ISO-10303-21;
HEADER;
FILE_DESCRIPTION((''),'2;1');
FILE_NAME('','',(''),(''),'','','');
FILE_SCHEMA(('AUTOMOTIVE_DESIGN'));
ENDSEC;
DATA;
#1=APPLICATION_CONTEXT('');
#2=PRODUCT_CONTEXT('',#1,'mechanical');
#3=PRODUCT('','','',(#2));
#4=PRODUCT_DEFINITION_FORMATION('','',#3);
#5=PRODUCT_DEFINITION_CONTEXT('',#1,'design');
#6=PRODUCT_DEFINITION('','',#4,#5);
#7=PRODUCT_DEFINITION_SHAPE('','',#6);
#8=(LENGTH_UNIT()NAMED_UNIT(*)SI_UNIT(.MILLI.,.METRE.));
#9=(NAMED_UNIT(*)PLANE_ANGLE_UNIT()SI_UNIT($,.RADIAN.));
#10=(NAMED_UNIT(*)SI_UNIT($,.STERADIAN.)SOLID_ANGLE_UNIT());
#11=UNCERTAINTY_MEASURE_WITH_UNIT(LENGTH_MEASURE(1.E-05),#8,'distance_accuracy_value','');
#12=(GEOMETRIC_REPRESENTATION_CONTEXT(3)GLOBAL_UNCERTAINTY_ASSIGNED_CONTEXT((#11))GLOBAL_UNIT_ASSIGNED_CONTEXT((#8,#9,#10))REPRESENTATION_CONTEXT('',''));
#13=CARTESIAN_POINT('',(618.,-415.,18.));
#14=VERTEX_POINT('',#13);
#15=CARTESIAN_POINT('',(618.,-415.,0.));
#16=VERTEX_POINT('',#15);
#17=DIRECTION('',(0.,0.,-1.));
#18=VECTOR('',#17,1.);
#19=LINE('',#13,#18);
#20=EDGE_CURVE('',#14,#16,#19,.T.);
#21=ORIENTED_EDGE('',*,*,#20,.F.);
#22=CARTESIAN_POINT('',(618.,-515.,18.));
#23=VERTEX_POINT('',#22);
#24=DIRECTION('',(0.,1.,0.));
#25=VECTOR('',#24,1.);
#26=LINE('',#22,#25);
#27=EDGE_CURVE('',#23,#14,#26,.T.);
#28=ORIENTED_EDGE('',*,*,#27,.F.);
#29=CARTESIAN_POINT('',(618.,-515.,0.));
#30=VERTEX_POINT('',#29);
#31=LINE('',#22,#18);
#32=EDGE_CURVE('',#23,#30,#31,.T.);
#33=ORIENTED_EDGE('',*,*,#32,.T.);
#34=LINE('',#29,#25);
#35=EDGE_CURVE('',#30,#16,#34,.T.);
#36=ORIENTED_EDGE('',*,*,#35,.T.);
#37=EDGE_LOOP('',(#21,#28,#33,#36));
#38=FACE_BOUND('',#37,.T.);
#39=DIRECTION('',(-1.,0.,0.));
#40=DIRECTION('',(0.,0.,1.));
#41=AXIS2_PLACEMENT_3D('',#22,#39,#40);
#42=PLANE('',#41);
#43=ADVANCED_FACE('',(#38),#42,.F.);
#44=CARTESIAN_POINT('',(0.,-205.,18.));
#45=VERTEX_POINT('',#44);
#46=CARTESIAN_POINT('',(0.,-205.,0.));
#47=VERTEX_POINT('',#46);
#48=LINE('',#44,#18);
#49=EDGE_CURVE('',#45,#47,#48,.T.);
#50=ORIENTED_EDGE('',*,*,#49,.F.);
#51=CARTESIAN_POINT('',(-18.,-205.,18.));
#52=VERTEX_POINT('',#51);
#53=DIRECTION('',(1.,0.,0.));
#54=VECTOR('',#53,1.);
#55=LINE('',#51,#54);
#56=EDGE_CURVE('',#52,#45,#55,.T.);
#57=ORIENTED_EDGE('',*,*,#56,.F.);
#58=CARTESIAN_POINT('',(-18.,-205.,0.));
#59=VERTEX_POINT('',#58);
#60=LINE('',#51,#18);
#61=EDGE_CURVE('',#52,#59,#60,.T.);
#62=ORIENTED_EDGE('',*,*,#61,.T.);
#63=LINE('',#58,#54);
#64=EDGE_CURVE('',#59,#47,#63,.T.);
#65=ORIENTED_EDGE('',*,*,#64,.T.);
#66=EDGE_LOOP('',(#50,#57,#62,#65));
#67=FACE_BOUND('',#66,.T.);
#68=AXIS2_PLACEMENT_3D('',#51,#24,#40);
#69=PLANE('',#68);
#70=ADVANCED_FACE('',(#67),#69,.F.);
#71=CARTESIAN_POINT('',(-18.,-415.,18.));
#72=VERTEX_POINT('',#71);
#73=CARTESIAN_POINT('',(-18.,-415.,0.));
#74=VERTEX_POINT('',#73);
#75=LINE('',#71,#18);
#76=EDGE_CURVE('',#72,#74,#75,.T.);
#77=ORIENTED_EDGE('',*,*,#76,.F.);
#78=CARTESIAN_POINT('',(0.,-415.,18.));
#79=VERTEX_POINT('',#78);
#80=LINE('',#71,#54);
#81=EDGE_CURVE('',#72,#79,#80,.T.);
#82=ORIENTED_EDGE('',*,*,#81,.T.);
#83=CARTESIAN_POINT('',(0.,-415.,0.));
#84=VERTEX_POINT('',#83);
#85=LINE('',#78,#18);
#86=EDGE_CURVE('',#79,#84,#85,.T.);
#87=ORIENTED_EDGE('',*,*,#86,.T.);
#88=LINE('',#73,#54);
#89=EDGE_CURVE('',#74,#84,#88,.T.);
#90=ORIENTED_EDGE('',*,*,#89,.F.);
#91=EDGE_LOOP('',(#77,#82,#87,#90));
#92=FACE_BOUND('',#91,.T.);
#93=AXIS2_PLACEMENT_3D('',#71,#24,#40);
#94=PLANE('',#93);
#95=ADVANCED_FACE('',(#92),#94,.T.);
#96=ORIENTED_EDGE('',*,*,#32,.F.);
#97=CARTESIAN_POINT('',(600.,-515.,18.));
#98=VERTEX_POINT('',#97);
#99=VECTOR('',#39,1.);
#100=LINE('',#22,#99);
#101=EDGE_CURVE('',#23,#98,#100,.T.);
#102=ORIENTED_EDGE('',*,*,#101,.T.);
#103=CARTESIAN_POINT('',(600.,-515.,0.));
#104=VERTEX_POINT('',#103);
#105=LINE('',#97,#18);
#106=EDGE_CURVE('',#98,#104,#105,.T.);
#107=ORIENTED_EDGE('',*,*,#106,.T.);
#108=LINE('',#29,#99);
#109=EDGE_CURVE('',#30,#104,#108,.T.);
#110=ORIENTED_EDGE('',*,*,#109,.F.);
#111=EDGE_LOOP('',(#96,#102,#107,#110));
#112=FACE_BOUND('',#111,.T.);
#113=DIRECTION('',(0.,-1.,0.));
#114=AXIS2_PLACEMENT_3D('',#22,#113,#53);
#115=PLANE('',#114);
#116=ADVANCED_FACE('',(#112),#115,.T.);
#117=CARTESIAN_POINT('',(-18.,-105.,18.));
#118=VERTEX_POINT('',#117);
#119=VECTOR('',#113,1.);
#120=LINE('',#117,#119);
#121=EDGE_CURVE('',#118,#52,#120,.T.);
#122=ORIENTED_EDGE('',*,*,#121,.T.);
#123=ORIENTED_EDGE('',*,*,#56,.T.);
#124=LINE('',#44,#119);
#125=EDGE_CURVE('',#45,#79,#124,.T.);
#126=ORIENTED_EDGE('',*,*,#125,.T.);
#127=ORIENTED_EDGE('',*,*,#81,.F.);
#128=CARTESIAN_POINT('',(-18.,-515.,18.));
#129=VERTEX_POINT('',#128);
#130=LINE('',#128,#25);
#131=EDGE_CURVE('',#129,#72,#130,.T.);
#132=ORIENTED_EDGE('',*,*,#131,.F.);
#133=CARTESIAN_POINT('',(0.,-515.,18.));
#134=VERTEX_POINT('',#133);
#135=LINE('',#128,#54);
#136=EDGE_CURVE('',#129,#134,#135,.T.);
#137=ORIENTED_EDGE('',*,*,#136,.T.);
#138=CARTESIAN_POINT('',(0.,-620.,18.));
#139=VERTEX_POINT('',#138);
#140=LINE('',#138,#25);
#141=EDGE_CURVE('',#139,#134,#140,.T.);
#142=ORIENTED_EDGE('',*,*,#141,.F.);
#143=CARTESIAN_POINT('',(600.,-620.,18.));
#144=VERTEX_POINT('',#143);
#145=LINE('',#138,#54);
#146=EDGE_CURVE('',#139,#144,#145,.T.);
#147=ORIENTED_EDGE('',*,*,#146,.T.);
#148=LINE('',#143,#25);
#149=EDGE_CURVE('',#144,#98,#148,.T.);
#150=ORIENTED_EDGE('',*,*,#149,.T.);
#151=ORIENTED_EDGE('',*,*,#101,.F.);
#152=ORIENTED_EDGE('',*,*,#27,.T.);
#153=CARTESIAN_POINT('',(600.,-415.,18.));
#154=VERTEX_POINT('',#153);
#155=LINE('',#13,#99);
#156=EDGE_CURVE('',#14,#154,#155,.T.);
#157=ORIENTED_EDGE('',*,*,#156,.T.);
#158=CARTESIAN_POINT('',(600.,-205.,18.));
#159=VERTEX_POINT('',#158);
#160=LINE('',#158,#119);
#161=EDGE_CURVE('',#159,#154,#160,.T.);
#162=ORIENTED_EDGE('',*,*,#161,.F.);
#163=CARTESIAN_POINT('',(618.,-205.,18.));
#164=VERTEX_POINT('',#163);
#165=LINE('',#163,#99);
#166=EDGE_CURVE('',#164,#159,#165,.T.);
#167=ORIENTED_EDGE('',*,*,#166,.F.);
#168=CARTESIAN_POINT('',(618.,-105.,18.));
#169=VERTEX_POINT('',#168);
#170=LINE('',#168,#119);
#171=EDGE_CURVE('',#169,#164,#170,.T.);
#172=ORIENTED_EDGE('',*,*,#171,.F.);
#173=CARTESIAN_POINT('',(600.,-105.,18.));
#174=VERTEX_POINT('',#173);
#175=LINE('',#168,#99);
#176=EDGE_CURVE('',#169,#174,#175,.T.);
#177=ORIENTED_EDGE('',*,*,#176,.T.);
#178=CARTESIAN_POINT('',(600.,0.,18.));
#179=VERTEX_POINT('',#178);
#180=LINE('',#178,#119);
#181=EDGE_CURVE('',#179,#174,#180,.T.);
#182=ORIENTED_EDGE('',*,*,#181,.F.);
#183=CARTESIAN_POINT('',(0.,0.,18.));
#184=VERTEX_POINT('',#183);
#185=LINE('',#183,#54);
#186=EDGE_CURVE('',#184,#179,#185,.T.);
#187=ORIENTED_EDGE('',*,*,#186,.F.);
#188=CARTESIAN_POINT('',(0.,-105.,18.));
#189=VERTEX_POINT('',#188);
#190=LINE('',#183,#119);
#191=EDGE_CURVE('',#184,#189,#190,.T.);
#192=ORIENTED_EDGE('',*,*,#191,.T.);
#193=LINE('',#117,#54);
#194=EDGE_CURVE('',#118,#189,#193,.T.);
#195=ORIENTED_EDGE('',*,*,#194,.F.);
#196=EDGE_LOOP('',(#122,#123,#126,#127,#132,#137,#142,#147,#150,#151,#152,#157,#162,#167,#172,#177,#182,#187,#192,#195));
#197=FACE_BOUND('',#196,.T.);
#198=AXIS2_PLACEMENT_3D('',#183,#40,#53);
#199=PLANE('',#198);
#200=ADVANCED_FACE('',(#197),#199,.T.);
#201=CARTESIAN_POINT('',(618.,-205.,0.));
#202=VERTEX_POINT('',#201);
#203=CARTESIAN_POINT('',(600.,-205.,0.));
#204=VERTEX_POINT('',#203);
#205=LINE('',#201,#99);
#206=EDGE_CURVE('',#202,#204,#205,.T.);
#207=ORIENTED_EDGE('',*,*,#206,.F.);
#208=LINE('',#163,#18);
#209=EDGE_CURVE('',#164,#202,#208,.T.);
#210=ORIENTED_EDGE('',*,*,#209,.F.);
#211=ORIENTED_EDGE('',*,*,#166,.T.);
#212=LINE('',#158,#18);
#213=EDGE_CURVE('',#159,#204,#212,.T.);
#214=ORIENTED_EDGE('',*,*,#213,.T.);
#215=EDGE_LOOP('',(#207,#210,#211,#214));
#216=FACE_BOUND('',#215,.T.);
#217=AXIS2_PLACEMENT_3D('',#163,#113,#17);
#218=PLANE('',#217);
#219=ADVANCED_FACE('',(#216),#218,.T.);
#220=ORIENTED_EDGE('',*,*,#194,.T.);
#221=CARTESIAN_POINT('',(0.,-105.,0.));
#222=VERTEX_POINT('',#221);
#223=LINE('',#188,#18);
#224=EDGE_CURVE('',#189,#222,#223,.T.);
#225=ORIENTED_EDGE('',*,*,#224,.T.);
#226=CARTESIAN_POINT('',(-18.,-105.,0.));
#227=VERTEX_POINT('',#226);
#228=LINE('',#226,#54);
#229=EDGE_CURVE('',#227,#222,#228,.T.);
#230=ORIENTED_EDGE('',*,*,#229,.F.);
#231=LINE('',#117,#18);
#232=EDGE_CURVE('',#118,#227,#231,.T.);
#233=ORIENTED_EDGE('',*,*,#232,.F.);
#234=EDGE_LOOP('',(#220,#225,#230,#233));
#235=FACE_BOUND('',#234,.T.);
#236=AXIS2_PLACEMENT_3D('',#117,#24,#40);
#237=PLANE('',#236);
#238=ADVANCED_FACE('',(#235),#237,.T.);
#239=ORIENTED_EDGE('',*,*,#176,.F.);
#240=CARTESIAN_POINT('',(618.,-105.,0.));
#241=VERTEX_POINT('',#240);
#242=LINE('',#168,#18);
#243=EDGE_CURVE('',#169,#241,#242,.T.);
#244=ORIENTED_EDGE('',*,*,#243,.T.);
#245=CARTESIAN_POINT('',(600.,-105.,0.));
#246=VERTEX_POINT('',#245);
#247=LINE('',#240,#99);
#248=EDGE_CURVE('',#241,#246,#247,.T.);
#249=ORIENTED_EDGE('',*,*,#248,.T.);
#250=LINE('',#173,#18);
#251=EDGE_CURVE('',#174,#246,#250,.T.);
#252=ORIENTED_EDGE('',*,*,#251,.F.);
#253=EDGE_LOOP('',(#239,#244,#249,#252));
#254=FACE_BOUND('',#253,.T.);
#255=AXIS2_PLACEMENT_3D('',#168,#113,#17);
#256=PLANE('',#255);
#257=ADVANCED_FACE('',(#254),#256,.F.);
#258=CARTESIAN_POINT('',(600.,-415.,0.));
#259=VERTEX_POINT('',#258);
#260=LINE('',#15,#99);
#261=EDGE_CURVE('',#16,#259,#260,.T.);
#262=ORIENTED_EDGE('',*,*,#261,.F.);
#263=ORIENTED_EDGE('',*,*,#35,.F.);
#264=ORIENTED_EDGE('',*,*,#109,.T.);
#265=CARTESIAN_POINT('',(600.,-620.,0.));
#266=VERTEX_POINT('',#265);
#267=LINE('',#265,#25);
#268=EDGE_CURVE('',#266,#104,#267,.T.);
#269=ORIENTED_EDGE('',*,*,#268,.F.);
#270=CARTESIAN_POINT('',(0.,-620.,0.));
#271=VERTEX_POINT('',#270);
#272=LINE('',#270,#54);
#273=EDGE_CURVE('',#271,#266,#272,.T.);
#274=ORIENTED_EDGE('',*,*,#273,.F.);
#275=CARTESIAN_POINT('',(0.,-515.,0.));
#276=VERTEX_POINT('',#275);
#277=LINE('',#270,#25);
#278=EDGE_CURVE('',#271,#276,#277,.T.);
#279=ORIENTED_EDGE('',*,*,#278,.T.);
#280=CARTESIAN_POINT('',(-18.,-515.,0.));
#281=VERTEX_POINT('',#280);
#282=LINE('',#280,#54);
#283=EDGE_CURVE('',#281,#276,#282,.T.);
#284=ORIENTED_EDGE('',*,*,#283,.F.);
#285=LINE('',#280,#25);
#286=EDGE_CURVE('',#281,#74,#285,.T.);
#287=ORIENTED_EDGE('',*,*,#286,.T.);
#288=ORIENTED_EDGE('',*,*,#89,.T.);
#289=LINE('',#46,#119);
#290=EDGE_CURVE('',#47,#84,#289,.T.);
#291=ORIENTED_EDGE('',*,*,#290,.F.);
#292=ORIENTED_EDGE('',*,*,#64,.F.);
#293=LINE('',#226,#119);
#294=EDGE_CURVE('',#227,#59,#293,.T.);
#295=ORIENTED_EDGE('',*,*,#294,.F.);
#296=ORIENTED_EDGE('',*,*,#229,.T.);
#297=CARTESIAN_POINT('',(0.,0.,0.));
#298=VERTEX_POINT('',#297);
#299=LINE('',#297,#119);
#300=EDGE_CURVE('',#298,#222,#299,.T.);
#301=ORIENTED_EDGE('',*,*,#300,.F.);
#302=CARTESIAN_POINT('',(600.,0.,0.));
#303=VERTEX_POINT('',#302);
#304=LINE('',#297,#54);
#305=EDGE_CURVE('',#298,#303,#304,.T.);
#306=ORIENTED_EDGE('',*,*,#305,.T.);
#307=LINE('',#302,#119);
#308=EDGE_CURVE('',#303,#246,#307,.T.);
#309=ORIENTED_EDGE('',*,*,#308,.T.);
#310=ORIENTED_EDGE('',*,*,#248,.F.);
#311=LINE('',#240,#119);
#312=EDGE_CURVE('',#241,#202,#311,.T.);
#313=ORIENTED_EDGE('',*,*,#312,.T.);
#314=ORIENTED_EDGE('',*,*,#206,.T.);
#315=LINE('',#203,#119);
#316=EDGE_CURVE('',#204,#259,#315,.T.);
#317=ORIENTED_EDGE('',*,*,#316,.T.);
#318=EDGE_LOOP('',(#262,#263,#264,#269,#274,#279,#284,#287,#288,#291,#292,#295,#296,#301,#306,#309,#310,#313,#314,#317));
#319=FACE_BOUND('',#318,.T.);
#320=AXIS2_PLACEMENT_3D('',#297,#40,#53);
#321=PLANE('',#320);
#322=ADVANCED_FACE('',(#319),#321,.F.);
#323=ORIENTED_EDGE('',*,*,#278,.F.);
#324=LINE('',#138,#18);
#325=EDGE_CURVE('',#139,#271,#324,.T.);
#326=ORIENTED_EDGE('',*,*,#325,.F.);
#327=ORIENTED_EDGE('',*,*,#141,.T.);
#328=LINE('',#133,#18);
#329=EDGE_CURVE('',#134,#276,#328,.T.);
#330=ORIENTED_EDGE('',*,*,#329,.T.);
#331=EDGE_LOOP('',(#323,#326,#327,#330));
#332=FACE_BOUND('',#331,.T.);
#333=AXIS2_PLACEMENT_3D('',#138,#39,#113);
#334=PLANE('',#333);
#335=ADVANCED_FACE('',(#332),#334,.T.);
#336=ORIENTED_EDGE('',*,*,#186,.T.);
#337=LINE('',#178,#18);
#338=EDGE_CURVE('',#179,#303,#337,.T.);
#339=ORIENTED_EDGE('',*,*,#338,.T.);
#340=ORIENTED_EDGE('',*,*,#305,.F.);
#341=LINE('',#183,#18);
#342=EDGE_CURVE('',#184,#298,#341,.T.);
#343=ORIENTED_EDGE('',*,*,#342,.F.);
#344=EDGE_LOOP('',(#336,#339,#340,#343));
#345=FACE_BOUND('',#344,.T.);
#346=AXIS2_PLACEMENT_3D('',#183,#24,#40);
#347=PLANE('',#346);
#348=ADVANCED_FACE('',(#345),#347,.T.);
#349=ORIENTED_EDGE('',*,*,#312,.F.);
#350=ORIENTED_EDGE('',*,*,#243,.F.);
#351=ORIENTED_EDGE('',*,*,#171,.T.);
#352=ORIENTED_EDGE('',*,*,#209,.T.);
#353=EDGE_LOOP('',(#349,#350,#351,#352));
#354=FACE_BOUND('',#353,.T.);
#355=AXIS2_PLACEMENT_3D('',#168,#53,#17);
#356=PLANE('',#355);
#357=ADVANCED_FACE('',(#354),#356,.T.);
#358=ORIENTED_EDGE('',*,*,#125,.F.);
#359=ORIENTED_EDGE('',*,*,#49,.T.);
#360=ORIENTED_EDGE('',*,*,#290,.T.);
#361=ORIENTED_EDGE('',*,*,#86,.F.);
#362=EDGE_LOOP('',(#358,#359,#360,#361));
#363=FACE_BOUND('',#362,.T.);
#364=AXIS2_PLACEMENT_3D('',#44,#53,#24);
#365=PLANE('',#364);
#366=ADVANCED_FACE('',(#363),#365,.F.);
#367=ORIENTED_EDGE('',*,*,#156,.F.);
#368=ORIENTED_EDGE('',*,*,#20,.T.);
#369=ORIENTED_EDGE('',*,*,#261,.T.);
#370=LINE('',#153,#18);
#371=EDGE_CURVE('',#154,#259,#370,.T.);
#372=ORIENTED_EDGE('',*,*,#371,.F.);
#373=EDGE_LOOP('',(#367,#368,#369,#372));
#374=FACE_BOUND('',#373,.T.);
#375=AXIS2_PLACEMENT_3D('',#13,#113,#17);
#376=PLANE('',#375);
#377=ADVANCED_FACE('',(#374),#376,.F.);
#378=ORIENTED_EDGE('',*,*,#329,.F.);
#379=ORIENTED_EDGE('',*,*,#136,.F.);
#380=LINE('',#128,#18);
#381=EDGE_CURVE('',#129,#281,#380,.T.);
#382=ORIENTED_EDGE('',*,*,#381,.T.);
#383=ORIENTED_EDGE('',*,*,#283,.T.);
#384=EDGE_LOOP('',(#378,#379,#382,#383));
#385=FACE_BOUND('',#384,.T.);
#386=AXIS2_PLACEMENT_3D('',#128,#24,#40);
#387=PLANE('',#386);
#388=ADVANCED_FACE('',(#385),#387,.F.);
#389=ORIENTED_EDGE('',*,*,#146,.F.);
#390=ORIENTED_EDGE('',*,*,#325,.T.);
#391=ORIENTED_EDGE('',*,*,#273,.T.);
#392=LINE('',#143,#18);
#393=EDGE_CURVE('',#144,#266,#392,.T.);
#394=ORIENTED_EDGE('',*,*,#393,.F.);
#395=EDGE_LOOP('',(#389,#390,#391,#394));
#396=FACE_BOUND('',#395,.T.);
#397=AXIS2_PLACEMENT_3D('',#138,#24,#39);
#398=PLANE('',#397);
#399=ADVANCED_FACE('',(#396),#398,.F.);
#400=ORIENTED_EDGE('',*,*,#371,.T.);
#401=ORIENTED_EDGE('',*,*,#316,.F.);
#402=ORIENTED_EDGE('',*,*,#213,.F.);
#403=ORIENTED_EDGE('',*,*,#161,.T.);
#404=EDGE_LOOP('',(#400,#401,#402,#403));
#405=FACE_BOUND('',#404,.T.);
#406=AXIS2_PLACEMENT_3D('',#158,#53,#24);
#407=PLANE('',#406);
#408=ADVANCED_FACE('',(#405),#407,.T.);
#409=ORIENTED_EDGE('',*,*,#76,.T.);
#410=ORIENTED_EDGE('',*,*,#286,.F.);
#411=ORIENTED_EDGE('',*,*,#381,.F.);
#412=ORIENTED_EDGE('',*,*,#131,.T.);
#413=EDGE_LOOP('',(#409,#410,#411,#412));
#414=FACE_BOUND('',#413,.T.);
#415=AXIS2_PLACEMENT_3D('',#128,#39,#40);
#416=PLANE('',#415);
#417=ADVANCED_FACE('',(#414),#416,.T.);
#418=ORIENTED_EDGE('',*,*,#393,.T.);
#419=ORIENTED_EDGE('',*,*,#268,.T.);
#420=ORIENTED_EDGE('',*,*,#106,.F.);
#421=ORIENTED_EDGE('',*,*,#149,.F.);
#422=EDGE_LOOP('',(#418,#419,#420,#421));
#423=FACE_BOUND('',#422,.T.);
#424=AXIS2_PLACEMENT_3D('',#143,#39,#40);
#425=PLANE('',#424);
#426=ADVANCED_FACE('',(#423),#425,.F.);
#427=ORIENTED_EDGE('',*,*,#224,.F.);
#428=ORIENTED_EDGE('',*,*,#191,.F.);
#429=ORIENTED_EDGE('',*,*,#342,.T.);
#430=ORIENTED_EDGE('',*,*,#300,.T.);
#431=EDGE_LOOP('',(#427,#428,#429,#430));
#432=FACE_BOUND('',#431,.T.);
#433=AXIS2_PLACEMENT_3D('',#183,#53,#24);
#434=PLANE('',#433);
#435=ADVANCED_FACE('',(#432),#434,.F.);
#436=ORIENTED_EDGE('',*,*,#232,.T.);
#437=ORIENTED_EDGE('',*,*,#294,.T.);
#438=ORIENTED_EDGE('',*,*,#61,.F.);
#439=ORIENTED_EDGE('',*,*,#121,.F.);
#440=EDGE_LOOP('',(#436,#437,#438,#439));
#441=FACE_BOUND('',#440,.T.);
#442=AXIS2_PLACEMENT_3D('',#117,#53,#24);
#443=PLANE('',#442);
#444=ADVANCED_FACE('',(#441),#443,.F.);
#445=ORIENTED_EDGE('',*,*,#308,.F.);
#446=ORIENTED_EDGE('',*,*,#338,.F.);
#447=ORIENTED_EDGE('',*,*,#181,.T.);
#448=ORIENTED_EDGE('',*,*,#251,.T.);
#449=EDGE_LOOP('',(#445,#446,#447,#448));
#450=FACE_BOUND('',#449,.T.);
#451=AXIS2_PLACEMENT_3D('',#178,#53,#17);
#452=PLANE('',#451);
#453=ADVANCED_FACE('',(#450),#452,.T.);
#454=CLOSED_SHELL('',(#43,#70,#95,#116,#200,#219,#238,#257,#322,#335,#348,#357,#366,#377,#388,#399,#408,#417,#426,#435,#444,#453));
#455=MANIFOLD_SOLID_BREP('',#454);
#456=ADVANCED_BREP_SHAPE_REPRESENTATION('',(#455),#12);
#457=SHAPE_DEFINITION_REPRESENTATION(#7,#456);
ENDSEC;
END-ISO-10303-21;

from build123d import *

# Parameters (mm, degrees)
BOSS_EXTRUDE3_DEPTH = 18


with BuildPart() as part:
    # Sketch1 → Boss-Extrude3 (new body)
    with BuildSketch(Plane.XY):
        Polygon((0, 0), (0, -105), (-18, -105), (-18, -205), (0, -205), (0, -415), (-18, -415), (-18, -515), (0, -515), (0, -620), (600, -620), (600, -515), (618, -515), (618, -415), (600, -415), (600, -205), (618, -205), (618, -105), (600, -105), (600, 0), align=None)
    extrude(amount=BOSS_EXTRUDE3_DEPTH)


solid = part.part
